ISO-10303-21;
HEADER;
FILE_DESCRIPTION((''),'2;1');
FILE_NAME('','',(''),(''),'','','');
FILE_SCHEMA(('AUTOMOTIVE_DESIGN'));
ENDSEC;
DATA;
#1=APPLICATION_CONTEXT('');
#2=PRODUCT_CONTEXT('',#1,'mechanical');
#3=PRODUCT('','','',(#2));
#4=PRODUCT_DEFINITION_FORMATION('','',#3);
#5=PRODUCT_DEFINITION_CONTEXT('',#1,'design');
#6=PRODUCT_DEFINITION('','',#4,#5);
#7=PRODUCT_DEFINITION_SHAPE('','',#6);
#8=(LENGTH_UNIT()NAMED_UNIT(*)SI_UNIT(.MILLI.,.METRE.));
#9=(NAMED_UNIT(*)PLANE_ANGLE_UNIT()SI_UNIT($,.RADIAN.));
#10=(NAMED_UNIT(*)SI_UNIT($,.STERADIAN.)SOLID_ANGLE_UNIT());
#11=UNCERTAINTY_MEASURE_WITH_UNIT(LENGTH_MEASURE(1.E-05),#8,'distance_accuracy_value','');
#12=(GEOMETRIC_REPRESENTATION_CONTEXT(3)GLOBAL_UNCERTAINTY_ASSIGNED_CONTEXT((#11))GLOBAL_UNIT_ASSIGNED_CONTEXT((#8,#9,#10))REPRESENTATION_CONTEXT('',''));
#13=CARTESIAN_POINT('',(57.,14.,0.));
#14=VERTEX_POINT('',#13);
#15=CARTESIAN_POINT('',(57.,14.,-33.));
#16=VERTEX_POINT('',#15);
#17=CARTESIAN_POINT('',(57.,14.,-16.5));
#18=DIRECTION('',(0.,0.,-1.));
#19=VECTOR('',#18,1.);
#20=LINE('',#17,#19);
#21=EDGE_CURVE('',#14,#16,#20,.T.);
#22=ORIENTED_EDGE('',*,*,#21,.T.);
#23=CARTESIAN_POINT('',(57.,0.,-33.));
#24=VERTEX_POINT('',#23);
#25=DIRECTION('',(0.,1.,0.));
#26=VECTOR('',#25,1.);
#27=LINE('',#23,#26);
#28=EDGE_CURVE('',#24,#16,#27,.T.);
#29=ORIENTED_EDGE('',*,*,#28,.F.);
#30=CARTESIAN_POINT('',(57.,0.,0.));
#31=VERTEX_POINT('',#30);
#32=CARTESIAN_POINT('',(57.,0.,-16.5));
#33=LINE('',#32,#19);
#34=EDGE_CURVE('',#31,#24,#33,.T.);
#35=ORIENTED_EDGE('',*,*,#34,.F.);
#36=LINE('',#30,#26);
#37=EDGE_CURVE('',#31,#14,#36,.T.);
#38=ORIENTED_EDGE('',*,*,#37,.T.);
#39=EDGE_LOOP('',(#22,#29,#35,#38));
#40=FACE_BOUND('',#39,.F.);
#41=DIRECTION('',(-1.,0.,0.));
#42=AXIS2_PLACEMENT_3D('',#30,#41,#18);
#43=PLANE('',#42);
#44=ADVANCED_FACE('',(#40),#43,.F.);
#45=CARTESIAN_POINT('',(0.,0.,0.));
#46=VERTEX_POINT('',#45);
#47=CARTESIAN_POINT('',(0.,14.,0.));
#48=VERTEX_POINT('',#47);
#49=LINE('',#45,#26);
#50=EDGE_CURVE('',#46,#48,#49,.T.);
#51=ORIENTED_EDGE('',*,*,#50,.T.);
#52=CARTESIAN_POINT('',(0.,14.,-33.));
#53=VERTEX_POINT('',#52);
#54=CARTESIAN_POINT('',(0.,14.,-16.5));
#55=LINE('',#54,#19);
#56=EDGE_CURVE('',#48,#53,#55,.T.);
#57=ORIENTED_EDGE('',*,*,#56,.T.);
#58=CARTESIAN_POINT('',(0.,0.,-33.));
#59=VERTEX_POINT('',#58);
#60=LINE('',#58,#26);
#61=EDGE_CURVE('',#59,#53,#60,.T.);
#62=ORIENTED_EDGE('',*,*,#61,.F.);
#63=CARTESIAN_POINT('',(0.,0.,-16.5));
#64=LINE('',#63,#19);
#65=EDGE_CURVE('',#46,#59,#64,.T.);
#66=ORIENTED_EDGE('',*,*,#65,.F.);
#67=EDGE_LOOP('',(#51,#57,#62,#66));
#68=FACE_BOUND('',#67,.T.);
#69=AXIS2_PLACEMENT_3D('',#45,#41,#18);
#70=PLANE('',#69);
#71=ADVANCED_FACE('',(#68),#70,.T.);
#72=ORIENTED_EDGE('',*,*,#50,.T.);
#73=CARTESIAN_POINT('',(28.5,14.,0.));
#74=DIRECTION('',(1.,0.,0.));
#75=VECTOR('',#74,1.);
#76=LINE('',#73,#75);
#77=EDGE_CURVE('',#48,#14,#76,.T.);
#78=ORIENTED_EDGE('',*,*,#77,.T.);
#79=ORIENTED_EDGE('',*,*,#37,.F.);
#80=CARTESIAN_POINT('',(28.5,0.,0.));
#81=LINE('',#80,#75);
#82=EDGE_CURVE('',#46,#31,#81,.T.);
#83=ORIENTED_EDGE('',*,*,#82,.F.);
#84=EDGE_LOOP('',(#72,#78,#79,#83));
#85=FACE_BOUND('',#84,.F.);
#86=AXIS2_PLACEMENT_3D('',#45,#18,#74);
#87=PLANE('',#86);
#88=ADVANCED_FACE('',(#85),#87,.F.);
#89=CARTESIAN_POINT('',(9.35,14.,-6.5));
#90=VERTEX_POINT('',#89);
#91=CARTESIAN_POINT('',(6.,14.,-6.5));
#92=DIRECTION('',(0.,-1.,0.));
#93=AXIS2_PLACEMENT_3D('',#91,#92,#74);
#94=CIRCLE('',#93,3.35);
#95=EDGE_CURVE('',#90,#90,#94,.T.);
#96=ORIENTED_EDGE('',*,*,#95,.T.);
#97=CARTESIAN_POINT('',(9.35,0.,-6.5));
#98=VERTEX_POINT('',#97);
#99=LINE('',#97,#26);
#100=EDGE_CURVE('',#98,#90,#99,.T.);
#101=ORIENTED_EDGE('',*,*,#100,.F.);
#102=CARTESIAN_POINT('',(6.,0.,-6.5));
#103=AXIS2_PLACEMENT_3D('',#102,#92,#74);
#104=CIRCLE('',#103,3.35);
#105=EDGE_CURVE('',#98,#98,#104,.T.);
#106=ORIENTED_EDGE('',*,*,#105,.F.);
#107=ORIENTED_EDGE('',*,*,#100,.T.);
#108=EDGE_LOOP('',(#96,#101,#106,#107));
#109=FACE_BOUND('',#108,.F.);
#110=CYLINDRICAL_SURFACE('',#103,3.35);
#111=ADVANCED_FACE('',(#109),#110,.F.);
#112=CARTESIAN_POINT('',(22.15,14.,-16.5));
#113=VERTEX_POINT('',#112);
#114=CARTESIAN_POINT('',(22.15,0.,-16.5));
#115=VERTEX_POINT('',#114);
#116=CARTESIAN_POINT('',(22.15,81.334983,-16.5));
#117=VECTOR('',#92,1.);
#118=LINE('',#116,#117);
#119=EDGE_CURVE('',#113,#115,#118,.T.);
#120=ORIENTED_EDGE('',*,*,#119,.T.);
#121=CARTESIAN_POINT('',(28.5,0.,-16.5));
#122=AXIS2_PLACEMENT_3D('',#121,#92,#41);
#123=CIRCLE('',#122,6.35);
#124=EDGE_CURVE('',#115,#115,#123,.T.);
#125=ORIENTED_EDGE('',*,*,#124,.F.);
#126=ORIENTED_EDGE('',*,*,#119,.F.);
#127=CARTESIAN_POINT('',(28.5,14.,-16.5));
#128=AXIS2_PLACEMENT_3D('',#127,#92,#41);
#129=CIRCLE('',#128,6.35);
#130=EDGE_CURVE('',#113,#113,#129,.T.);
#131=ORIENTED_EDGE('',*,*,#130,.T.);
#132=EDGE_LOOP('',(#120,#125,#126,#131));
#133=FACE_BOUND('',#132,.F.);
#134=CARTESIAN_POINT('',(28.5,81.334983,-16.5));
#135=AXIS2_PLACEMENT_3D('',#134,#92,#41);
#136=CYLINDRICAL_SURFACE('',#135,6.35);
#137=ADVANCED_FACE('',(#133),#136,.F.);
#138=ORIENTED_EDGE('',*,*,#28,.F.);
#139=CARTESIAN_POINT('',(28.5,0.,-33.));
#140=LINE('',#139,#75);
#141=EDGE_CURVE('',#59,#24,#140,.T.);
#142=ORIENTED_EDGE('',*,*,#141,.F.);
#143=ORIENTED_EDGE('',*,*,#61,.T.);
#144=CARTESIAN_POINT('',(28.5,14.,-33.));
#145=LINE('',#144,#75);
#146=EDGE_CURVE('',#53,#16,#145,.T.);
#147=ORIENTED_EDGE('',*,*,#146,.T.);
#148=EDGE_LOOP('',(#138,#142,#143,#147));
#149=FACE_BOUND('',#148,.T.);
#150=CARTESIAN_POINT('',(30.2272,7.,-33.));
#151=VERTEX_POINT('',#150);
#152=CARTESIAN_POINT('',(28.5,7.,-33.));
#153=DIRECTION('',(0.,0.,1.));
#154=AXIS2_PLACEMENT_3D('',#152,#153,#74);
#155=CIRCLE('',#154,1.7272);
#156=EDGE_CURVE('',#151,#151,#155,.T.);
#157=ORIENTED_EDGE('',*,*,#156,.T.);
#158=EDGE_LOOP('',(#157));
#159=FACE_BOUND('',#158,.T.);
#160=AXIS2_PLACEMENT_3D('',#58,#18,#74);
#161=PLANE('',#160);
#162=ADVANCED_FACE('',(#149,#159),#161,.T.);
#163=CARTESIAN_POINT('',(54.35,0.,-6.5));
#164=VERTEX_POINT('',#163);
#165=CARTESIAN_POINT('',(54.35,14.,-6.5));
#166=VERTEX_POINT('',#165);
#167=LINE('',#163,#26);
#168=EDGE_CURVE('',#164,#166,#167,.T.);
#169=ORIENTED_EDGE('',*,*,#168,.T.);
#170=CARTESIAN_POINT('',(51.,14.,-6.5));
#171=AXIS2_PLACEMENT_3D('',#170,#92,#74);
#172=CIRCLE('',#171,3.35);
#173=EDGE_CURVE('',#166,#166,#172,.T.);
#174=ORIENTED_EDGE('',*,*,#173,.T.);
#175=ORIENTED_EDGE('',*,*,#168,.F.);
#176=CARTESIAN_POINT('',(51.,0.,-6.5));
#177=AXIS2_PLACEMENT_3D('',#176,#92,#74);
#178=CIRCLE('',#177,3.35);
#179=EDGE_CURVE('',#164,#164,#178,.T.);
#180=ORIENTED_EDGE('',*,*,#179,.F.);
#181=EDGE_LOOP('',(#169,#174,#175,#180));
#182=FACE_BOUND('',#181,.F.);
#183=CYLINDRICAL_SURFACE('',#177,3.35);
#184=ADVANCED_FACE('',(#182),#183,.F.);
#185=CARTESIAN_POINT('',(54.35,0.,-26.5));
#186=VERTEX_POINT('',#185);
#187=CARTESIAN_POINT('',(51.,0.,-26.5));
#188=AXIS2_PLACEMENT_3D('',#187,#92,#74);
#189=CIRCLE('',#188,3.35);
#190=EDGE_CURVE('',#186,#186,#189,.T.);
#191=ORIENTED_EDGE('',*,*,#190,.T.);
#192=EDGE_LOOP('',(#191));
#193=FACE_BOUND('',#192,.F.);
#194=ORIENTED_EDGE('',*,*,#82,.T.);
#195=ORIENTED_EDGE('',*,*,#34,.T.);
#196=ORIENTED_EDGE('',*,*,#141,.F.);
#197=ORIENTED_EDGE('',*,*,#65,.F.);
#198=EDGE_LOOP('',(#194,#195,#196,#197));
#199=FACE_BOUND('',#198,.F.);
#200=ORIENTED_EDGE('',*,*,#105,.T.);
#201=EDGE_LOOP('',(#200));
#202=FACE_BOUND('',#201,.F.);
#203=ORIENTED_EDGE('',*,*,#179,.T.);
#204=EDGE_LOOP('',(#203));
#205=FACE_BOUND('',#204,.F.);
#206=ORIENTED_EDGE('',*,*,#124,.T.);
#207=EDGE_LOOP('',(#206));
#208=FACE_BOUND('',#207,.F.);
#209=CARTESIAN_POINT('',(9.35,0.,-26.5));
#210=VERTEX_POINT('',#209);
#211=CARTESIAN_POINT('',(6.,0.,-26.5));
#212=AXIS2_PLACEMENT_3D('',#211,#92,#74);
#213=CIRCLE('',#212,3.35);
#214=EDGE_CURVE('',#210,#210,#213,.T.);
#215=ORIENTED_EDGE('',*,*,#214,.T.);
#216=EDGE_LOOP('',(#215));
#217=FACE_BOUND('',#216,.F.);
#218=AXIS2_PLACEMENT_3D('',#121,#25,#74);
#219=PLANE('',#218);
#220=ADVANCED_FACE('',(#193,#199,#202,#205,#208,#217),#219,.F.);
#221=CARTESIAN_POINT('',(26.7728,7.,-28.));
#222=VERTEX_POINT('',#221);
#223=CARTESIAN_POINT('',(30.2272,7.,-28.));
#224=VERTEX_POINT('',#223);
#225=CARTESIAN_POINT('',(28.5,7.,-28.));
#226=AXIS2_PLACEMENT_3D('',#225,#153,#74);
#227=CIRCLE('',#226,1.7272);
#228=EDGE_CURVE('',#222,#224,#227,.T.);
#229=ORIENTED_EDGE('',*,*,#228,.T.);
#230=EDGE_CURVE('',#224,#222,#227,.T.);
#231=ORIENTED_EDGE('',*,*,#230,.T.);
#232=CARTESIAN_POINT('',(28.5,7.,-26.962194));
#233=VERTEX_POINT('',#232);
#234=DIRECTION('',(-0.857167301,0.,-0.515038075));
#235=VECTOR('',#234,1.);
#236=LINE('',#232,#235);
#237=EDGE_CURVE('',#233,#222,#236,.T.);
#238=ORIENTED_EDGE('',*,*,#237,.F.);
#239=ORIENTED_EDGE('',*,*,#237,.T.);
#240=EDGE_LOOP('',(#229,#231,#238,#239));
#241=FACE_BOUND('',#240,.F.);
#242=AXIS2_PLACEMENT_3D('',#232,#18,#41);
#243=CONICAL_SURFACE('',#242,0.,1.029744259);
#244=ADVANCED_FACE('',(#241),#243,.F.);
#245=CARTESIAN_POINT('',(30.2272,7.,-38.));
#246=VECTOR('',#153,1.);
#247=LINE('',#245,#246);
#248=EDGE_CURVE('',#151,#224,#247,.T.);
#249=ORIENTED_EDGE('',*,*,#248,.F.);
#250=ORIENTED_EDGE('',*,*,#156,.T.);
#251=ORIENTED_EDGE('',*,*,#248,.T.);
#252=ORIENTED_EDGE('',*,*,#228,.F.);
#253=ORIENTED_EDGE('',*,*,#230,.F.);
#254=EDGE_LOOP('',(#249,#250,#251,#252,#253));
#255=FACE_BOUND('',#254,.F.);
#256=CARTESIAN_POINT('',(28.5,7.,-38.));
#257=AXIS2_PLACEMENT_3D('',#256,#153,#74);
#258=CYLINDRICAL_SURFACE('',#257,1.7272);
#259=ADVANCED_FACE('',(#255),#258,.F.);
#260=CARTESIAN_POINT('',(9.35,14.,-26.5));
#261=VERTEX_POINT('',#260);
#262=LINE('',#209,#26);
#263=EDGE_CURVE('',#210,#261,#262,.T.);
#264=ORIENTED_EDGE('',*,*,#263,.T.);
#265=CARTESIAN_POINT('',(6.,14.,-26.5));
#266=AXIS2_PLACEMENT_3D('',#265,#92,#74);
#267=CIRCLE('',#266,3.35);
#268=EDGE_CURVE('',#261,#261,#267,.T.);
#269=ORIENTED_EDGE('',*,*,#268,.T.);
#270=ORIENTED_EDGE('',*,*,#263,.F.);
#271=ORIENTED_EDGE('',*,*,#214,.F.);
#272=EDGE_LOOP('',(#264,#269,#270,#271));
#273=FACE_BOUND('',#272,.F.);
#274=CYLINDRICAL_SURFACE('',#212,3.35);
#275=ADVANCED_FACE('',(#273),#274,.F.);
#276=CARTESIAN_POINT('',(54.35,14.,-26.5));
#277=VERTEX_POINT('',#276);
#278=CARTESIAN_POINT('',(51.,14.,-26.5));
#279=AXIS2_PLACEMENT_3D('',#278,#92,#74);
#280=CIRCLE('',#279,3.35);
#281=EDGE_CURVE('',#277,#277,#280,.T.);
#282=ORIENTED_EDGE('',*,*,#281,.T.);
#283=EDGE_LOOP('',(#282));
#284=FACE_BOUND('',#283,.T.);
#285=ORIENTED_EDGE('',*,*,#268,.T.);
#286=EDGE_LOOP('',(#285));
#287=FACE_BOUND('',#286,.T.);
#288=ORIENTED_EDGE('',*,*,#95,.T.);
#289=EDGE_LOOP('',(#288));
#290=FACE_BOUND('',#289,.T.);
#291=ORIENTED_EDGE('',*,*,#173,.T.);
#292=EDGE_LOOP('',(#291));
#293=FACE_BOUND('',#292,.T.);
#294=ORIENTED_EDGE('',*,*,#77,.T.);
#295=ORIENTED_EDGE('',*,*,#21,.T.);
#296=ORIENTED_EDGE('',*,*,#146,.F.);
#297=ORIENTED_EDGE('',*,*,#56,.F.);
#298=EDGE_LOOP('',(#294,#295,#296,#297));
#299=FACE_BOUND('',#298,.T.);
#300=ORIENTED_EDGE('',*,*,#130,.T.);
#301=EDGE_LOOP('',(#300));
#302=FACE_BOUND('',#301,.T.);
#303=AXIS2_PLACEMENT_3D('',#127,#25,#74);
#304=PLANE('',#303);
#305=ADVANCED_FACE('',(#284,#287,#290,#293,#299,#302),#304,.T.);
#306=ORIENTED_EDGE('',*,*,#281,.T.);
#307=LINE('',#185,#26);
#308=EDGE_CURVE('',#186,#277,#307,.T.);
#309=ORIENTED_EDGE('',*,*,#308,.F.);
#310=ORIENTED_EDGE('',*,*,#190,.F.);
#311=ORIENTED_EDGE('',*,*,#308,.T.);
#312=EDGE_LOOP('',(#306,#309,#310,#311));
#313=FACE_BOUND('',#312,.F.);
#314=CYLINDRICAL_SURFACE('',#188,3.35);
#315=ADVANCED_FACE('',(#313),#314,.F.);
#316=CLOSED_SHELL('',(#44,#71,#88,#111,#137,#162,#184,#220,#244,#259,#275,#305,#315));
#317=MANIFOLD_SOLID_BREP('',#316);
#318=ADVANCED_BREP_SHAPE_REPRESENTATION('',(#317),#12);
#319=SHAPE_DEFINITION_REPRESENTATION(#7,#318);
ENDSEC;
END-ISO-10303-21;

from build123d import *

# Parameters (mm, degrees)
SKETCH1_W                 = 57
SKETCH1_H                 = 33
BOSS_EXTRUDE1_DEPTH       = 14
SKETCH3_R                 = 3.35
CUT_EXTRUDE1_DEPTH        = 15
SKETCH4_R                 = 3.35
CUT_EXTRUDE2_DEPTH        = 15
SKETCH10_R                = 3.35
CUT_EXTRUDE5_DEPTH        = 15
SKETCH12_R                = 3.35
CUT_EXTRUDE6_DEPTH        = 15
F_8_32_TAPPED_HOLE1_D     = 3.4544
F_8_32_TAPPED_HOLE1_DEPTH = 5
F_8_32_TAPPED_HOLE1_TIP   = 1.037806461
F_0_535_40_TAPPED_HOLE1_D = 12.7


with BuildPart() as part:
    # Sketch1 → Boss-Extrude1 (new body)
    with BuildSketch(Plane(origin=(0, 0, 0), x_dir=(1, 0, 0), z_dir=(0, 1, 0))):
        with Locations((28.5, 16.5)):
            Rectangle(SKETCH1_W, SKETCH1_H)
    extrude(amount=BOSS_EXTRUDE1_DEPTH)

    # Sketch3 → Cut-Extrude1 (cut, through all)
    with BuildSketch(Plane.XZ):
        with Locations((6, -6.5)):
            Circle(SKETCH3_R)
    extrude(amount=-CUT_EXTRUDE1_DEPTH, mode=Mode.SUBTRACT)

    # Sketch4 → Cut-Extrude2 (cut, through all)
    with BuildSketch(Plane.XZ):
        with Locations((51, -26.5)):
            Circle(SKETCH4_R)
    extrude(amount=-CUT_EXTRUDE2_DEPTH, mode=Mode.SUBTRACT)

    # Sketch10 → Cut-Extrude5 (cut, through all)
    with BuildSketch(Plane.XZ):
        with Locations((6, -26.5)):
            Circle(SKETCH10_R)
    extrude(amount=-CUT_EXTRUDE5_DEPTH, mode=Mode.SUBTRACT)

    # Sketch12 → Cut-Extrude6 (cut, through all)
    with BuildSketch(Plane.XZ):
        with Locations((51, -6.5)):
            Circle(SKETCH12_R)
    extrude(amount=-CUT_EXTRUDE6_DEPTH, mode=Mode.SUBTRACT)

    # #8-32 Tapped Hole1
    with Locations(Plane(origin=(0, 0, -33), x_dir=(-1, 0, 0), z_dir=(0, 0, -1))):
        with Locations((-28.5, 7)):
            Hole(F_8_32_TAPPED_HOLE1_D / 2, depth=F_8_32_TAPPED_HOLE1_DEPTH)
            with Locations((0, 0, -(F_8_32_TAPPED_HOLE1_DEPTH + F_8_32_TAPPED_HOLE1_TIP / 2))):  # 118° drill point
                Cone(0, F_8_32_TAPPED_HOLE1_D / 2, F_8_32_TAPPED_HOLE1_TIP, mode=Mode.SUBTRACT)

    # 0.535-40 Tapped Hole1 (through all)
    with Locations(Plane(origin=(0, 14, 0), x_dir=(1, 0, 0), z_dir=(0, 1, 0))):
        with Locations((28.5, 16.5)):
            Hole(F_0_535_40_TAPPED_HOLE1_D / 2)


solid = part.part
